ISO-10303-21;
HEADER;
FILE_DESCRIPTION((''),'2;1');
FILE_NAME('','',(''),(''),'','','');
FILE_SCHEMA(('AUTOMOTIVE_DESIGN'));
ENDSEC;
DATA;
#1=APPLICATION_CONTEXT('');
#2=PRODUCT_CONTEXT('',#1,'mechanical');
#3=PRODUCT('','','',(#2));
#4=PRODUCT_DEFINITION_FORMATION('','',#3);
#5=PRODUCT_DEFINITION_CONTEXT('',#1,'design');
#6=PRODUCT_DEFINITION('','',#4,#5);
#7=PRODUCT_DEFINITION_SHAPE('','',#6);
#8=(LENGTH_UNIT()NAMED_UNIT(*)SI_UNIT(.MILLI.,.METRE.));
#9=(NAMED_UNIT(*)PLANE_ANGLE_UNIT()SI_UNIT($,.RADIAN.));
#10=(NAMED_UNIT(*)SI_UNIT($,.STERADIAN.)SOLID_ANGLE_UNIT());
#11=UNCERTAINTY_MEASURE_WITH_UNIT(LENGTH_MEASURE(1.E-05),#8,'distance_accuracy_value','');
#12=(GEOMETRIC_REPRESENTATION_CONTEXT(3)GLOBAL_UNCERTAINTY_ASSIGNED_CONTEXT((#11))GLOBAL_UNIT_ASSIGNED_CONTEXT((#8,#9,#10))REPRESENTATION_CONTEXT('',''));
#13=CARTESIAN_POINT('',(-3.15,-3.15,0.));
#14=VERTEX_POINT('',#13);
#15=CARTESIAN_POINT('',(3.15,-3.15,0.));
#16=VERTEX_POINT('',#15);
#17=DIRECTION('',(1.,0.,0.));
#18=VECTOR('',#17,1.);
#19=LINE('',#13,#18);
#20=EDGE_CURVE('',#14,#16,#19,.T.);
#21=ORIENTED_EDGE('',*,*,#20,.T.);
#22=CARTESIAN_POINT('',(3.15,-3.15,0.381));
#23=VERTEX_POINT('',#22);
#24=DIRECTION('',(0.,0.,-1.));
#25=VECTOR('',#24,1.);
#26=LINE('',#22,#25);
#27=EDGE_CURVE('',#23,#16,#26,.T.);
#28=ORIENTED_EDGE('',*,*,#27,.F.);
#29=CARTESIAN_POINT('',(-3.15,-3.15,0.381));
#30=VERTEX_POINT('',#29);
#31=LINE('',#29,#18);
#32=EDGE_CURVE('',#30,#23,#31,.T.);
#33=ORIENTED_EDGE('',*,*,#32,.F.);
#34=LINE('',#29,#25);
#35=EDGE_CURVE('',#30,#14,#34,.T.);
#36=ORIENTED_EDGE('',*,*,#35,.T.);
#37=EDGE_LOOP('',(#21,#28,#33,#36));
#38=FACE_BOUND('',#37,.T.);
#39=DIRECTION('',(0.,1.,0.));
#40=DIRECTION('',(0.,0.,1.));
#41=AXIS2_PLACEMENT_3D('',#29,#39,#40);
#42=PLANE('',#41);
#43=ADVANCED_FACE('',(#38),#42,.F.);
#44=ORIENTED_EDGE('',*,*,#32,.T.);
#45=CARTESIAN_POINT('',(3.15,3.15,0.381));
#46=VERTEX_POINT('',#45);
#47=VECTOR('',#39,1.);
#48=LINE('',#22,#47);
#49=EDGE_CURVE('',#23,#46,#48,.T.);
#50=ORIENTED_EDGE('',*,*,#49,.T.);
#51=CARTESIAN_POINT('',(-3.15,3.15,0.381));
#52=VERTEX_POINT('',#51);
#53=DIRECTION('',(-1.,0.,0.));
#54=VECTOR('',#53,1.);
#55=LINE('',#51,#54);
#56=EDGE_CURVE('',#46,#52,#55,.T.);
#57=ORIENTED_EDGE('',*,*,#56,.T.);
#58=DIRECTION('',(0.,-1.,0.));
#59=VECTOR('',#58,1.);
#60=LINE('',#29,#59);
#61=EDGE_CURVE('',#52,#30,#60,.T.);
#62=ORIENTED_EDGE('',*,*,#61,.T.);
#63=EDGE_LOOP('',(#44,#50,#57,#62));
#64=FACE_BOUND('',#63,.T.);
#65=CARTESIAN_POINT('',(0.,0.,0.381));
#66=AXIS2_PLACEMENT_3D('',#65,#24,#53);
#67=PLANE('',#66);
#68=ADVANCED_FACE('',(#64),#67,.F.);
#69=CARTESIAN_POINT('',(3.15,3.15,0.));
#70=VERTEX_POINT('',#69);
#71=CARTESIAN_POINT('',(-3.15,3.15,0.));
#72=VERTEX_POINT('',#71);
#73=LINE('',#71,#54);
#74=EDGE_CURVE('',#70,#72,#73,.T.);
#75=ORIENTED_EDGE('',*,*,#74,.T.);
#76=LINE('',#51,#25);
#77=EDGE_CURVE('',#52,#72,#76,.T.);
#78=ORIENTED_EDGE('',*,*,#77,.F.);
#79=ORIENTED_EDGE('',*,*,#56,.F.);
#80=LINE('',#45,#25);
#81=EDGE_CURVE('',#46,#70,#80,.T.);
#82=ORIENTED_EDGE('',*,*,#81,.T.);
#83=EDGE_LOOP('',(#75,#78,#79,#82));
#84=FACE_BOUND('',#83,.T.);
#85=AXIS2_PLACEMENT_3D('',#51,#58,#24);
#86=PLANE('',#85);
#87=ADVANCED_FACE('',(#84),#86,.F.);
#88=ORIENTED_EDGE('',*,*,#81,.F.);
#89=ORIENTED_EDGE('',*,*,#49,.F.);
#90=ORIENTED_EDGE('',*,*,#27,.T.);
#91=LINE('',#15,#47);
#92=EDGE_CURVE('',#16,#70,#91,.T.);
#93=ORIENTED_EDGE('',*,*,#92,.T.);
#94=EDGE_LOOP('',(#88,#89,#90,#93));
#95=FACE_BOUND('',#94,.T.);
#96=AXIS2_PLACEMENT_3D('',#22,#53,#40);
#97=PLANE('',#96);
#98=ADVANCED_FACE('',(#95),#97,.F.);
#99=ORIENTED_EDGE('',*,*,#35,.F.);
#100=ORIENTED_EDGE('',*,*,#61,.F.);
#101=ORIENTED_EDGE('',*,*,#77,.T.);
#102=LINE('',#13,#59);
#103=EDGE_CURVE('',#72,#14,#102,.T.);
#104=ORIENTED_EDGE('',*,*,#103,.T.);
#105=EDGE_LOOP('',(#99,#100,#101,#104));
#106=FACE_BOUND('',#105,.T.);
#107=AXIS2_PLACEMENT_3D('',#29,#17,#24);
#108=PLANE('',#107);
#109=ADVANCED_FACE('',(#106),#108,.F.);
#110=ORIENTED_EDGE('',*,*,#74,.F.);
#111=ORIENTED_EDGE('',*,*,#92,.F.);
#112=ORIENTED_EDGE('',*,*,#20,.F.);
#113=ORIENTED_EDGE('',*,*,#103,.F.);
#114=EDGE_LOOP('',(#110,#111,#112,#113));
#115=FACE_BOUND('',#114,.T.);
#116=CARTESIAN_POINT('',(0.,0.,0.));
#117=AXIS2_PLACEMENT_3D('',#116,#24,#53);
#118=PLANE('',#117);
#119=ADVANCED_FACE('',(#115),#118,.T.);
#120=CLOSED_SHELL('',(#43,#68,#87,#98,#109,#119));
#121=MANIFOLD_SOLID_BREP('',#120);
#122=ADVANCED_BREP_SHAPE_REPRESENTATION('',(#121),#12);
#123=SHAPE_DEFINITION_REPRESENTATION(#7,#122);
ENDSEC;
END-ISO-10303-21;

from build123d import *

# Parameters (mm, degrees)
SKETCH1_W  = 6.3
SKETCH1_H  = 6.3
CHIP_DEPTH = 0.381


with BuildPart() as part:
    # Sketch1 → chip (new body)
    with BuildSketch(Plane.XY):
        Rectangle(SKETCH1_W, SKETCH1_H)
    extrude(amount=CHIP_DEPTH)


solid = part.part
